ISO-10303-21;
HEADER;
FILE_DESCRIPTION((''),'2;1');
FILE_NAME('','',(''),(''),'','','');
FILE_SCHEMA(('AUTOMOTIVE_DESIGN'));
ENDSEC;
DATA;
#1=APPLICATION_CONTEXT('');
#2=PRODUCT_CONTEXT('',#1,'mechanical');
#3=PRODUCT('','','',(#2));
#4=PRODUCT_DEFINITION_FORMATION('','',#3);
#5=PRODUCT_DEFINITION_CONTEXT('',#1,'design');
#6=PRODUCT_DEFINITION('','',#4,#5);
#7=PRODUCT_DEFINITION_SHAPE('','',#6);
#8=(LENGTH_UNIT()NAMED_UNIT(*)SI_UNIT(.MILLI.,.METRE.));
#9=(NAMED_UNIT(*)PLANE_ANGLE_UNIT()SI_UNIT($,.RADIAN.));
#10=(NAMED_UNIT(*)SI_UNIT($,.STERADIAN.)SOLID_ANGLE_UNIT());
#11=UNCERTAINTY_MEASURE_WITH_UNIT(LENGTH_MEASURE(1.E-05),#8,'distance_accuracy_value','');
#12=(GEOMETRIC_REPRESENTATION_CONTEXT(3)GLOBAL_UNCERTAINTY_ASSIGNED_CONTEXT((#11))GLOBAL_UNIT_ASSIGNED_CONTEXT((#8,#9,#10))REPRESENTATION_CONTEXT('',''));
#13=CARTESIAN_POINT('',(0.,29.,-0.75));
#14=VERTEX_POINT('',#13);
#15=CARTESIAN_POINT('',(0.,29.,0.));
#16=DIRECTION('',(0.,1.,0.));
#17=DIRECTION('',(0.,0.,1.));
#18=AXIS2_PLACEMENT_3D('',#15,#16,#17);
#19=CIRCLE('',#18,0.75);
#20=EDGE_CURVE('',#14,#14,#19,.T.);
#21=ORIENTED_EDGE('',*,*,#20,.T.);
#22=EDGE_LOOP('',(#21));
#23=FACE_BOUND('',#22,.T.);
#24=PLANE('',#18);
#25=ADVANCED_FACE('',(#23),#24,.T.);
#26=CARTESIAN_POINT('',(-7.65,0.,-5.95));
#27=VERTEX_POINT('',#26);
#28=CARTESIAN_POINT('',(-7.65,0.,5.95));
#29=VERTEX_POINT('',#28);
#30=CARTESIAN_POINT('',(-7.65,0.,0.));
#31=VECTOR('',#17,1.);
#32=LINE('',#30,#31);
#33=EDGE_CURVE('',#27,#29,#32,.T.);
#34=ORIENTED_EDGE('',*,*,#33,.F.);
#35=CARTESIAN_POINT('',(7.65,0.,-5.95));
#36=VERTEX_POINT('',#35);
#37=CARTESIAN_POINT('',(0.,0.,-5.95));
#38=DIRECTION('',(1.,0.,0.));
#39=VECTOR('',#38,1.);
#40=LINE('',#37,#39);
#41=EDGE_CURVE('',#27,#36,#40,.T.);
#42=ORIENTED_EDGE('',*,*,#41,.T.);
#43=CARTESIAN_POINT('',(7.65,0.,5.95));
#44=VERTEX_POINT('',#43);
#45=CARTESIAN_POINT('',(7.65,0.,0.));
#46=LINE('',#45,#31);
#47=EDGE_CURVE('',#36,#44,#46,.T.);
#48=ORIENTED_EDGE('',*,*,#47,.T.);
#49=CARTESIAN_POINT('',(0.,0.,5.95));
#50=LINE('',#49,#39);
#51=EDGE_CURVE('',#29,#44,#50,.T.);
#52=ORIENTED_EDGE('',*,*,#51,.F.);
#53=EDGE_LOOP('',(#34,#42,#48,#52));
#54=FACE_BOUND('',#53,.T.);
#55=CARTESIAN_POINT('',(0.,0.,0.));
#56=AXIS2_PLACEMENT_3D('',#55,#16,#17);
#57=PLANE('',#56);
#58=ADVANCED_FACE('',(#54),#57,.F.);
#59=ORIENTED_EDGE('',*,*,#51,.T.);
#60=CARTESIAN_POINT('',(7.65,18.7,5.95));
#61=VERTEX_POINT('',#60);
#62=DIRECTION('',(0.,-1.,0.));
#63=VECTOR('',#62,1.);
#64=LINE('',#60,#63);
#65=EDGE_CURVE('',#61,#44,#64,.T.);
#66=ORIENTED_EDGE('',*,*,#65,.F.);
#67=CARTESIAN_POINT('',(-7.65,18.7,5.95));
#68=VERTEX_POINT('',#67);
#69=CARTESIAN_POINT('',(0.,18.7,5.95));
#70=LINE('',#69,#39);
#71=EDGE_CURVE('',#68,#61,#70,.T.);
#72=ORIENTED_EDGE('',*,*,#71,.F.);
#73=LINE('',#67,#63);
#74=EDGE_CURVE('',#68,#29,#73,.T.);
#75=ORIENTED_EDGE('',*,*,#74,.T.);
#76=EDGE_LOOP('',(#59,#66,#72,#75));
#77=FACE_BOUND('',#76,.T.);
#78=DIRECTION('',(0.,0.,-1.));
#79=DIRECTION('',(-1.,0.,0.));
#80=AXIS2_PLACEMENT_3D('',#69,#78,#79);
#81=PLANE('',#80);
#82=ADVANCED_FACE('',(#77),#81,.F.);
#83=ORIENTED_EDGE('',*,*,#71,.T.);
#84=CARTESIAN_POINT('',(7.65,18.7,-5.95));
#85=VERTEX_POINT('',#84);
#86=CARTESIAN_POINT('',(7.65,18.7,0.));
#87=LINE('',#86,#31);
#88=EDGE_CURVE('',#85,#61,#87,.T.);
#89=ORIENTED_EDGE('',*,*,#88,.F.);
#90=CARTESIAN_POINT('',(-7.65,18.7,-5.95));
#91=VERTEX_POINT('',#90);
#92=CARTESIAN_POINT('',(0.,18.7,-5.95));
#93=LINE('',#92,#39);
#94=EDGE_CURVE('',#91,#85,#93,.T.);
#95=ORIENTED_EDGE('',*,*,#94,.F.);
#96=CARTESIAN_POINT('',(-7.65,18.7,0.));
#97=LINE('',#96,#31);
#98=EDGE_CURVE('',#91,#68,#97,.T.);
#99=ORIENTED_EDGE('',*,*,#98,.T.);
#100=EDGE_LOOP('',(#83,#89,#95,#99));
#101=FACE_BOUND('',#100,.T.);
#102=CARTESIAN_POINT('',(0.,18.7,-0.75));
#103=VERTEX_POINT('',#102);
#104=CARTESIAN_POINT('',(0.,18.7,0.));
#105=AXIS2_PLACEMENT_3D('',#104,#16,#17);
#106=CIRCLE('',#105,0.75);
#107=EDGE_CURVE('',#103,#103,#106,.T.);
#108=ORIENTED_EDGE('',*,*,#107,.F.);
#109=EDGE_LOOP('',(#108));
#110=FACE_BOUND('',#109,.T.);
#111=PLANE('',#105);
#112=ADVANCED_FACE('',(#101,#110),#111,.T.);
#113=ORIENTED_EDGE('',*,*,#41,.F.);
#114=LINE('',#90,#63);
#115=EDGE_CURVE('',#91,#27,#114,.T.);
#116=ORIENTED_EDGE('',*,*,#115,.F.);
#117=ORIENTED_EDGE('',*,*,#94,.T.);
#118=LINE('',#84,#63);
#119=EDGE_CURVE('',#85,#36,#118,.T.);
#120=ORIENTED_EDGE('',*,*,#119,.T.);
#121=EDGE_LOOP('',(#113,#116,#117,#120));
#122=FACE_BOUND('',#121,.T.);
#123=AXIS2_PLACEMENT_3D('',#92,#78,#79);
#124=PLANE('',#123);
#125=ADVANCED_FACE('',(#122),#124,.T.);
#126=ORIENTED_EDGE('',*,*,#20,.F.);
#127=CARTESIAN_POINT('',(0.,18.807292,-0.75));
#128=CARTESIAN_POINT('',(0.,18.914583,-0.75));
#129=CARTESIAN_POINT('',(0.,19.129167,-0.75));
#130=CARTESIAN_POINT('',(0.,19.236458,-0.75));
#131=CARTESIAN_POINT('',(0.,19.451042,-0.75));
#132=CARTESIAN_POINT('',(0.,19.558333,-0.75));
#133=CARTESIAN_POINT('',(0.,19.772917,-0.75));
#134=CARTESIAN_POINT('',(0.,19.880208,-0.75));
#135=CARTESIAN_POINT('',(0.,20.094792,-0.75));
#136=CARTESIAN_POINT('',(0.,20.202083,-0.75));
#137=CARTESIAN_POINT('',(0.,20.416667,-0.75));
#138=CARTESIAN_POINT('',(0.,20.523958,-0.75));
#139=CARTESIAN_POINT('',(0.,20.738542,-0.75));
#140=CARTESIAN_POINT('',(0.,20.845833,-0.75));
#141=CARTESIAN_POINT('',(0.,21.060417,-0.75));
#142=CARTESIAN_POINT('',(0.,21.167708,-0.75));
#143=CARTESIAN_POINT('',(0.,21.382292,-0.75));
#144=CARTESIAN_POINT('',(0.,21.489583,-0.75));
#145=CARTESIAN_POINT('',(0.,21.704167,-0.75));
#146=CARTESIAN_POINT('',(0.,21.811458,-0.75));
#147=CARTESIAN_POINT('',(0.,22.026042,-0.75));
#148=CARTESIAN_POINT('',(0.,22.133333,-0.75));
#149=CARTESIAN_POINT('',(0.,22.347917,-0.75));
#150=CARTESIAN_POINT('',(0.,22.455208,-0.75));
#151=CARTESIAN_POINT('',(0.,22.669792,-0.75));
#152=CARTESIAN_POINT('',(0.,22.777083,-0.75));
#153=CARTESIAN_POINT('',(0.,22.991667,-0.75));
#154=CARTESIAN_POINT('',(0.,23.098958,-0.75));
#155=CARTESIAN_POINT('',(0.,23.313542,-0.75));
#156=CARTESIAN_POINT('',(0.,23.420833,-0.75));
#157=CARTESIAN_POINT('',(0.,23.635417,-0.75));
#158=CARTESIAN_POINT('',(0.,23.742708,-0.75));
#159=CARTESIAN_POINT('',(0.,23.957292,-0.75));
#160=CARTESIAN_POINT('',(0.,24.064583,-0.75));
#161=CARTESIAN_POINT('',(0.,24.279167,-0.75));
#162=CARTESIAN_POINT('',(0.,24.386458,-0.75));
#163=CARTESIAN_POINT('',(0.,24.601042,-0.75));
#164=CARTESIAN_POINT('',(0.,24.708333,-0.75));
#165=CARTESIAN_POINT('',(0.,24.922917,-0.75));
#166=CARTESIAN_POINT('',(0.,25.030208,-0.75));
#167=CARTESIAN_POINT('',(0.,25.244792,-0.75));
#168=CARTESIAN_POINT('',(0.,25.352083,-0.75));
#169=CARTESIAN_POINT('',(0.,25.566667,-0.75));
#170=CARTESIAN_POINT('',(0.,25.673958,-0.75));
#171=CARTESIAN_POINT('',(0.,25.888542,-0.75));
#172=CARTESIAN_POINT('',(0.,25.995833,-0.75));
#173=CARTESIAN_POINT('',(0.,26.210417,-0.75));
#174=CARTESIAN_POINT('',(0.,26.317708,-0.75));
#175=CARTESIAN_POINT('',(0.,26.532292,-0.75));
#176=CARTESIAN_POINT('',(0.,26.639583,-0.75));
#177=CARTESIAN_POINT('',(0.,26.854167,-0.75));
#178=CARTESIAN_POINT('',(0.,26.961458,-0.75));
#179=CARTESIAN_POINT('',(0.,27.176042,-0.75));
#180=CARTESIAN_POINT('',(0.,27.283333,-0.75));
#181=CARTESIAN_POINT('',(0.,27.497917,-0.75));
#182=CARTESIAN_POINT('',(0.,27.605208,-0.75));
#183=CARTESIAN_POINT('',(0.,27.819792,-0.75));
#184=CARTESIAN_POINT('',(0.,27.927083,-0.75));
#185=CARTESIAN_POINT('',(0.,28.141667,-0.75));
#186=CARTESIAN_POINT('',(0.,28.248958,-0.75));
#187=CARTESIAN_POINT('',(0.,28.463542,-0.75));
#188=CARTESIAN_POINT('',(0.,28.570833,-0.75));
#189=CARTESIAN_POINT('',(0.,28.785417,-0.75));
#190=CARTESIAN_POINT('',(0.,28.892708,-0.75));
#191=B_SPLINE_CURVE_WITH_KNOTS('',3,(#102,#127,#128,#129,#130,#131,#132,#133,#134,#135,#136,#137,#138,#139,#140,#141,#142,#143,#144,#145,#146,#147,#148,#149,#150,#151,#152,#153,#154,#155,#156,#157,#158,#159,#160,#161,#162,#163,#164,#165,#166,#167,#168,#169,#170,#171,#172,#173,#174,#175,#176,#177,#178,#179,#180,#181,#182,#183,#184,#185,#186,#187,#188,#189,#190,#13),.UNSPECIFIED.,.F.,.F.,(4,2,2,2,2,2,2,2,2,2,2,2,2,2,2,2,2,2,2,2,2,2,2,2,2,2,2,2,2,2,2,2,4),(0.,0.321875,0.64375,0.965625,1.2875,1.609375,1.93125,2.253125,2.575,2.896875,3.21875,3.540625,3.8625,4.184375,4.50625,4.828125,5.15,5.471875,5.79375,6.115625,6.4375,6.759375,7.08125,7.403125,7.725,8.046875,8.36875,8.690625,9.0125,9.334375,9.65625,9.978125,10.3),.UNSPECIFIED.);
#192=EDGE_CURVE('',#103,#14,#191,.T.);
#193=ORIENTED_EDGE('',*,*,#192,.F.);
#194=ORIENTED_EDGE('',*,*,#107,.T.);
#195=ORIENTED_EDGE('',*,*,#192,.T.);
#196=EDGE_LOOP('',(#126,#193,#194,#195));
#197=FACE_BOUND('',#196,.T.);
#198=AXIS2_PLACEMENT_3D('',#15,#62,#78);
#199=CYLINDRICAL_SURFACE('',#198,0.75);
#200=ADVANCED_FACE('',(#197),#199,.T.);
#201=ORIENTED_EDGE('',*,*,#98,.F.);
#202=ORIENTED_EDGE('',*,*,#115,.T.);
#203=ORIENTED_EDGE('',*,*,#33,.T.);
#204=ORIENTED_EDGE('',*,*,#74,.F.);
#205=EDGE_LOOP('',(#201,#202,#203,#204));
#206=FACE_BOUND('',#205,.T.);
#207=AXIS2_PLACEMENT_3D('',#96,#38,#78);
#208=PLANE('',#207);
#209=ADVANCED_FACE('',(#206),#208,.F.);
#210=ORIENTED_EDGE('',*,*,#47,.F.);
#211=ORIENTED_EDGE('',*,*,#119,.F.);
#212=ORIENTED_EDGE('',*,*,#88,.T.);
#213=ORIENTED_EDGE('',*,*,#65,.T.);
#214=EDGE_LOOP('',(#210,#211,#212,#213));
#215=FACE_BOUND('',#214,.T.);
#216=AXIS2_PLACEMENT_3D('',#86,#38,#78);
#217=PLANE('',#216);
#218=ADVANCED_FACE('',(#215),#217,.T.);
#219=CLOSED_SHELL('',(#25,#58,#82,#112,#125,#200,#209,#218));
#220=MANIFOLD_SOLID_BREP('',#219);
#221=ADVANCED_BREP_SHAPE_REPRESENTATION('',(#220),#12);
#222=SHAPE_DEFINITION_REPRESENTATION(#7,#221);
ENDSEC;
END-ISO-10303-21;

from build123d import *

# Parameters (mm, degrees)
SKETCH1_W           = 15.3
SKETCH1_H           = 11.9
SKETCH1_R           = 0.75
BOSS_EXTRUDE1_DEPTH = 18.7
SKETCH1_4_R         = 0.75
BOSS_EXTRUDE2_DEPTH = 29


with BuildPart() as part:
    # Sketch1 → Boss-Extrude1 (new body)
    with BuildSketch(Plane(origin=(0, 0, 0), x_dir=(1, 0, 0), z_dir=(0, 1, 0))):
        Rectangle(SKETCH1_W, SKETCH1_H)
        Circle(SKETCH1_R, mode=Mode.SUBTRACT)
    extrude(amount=BOSS_EXTRUDE1_DEPTH)

    # Sketch1<4> → Boss-Extrude2 (add)
    with BuildSketch(Plane(origin=(0, 0, 0), x_dir=(1, 0, 0), z_dir=(0, 1, 0))):
        Circle(SKETCH1_4_R)
    extrude(amount=BOSS_EXTRUDE2_DEPTH)


solid = part.part
